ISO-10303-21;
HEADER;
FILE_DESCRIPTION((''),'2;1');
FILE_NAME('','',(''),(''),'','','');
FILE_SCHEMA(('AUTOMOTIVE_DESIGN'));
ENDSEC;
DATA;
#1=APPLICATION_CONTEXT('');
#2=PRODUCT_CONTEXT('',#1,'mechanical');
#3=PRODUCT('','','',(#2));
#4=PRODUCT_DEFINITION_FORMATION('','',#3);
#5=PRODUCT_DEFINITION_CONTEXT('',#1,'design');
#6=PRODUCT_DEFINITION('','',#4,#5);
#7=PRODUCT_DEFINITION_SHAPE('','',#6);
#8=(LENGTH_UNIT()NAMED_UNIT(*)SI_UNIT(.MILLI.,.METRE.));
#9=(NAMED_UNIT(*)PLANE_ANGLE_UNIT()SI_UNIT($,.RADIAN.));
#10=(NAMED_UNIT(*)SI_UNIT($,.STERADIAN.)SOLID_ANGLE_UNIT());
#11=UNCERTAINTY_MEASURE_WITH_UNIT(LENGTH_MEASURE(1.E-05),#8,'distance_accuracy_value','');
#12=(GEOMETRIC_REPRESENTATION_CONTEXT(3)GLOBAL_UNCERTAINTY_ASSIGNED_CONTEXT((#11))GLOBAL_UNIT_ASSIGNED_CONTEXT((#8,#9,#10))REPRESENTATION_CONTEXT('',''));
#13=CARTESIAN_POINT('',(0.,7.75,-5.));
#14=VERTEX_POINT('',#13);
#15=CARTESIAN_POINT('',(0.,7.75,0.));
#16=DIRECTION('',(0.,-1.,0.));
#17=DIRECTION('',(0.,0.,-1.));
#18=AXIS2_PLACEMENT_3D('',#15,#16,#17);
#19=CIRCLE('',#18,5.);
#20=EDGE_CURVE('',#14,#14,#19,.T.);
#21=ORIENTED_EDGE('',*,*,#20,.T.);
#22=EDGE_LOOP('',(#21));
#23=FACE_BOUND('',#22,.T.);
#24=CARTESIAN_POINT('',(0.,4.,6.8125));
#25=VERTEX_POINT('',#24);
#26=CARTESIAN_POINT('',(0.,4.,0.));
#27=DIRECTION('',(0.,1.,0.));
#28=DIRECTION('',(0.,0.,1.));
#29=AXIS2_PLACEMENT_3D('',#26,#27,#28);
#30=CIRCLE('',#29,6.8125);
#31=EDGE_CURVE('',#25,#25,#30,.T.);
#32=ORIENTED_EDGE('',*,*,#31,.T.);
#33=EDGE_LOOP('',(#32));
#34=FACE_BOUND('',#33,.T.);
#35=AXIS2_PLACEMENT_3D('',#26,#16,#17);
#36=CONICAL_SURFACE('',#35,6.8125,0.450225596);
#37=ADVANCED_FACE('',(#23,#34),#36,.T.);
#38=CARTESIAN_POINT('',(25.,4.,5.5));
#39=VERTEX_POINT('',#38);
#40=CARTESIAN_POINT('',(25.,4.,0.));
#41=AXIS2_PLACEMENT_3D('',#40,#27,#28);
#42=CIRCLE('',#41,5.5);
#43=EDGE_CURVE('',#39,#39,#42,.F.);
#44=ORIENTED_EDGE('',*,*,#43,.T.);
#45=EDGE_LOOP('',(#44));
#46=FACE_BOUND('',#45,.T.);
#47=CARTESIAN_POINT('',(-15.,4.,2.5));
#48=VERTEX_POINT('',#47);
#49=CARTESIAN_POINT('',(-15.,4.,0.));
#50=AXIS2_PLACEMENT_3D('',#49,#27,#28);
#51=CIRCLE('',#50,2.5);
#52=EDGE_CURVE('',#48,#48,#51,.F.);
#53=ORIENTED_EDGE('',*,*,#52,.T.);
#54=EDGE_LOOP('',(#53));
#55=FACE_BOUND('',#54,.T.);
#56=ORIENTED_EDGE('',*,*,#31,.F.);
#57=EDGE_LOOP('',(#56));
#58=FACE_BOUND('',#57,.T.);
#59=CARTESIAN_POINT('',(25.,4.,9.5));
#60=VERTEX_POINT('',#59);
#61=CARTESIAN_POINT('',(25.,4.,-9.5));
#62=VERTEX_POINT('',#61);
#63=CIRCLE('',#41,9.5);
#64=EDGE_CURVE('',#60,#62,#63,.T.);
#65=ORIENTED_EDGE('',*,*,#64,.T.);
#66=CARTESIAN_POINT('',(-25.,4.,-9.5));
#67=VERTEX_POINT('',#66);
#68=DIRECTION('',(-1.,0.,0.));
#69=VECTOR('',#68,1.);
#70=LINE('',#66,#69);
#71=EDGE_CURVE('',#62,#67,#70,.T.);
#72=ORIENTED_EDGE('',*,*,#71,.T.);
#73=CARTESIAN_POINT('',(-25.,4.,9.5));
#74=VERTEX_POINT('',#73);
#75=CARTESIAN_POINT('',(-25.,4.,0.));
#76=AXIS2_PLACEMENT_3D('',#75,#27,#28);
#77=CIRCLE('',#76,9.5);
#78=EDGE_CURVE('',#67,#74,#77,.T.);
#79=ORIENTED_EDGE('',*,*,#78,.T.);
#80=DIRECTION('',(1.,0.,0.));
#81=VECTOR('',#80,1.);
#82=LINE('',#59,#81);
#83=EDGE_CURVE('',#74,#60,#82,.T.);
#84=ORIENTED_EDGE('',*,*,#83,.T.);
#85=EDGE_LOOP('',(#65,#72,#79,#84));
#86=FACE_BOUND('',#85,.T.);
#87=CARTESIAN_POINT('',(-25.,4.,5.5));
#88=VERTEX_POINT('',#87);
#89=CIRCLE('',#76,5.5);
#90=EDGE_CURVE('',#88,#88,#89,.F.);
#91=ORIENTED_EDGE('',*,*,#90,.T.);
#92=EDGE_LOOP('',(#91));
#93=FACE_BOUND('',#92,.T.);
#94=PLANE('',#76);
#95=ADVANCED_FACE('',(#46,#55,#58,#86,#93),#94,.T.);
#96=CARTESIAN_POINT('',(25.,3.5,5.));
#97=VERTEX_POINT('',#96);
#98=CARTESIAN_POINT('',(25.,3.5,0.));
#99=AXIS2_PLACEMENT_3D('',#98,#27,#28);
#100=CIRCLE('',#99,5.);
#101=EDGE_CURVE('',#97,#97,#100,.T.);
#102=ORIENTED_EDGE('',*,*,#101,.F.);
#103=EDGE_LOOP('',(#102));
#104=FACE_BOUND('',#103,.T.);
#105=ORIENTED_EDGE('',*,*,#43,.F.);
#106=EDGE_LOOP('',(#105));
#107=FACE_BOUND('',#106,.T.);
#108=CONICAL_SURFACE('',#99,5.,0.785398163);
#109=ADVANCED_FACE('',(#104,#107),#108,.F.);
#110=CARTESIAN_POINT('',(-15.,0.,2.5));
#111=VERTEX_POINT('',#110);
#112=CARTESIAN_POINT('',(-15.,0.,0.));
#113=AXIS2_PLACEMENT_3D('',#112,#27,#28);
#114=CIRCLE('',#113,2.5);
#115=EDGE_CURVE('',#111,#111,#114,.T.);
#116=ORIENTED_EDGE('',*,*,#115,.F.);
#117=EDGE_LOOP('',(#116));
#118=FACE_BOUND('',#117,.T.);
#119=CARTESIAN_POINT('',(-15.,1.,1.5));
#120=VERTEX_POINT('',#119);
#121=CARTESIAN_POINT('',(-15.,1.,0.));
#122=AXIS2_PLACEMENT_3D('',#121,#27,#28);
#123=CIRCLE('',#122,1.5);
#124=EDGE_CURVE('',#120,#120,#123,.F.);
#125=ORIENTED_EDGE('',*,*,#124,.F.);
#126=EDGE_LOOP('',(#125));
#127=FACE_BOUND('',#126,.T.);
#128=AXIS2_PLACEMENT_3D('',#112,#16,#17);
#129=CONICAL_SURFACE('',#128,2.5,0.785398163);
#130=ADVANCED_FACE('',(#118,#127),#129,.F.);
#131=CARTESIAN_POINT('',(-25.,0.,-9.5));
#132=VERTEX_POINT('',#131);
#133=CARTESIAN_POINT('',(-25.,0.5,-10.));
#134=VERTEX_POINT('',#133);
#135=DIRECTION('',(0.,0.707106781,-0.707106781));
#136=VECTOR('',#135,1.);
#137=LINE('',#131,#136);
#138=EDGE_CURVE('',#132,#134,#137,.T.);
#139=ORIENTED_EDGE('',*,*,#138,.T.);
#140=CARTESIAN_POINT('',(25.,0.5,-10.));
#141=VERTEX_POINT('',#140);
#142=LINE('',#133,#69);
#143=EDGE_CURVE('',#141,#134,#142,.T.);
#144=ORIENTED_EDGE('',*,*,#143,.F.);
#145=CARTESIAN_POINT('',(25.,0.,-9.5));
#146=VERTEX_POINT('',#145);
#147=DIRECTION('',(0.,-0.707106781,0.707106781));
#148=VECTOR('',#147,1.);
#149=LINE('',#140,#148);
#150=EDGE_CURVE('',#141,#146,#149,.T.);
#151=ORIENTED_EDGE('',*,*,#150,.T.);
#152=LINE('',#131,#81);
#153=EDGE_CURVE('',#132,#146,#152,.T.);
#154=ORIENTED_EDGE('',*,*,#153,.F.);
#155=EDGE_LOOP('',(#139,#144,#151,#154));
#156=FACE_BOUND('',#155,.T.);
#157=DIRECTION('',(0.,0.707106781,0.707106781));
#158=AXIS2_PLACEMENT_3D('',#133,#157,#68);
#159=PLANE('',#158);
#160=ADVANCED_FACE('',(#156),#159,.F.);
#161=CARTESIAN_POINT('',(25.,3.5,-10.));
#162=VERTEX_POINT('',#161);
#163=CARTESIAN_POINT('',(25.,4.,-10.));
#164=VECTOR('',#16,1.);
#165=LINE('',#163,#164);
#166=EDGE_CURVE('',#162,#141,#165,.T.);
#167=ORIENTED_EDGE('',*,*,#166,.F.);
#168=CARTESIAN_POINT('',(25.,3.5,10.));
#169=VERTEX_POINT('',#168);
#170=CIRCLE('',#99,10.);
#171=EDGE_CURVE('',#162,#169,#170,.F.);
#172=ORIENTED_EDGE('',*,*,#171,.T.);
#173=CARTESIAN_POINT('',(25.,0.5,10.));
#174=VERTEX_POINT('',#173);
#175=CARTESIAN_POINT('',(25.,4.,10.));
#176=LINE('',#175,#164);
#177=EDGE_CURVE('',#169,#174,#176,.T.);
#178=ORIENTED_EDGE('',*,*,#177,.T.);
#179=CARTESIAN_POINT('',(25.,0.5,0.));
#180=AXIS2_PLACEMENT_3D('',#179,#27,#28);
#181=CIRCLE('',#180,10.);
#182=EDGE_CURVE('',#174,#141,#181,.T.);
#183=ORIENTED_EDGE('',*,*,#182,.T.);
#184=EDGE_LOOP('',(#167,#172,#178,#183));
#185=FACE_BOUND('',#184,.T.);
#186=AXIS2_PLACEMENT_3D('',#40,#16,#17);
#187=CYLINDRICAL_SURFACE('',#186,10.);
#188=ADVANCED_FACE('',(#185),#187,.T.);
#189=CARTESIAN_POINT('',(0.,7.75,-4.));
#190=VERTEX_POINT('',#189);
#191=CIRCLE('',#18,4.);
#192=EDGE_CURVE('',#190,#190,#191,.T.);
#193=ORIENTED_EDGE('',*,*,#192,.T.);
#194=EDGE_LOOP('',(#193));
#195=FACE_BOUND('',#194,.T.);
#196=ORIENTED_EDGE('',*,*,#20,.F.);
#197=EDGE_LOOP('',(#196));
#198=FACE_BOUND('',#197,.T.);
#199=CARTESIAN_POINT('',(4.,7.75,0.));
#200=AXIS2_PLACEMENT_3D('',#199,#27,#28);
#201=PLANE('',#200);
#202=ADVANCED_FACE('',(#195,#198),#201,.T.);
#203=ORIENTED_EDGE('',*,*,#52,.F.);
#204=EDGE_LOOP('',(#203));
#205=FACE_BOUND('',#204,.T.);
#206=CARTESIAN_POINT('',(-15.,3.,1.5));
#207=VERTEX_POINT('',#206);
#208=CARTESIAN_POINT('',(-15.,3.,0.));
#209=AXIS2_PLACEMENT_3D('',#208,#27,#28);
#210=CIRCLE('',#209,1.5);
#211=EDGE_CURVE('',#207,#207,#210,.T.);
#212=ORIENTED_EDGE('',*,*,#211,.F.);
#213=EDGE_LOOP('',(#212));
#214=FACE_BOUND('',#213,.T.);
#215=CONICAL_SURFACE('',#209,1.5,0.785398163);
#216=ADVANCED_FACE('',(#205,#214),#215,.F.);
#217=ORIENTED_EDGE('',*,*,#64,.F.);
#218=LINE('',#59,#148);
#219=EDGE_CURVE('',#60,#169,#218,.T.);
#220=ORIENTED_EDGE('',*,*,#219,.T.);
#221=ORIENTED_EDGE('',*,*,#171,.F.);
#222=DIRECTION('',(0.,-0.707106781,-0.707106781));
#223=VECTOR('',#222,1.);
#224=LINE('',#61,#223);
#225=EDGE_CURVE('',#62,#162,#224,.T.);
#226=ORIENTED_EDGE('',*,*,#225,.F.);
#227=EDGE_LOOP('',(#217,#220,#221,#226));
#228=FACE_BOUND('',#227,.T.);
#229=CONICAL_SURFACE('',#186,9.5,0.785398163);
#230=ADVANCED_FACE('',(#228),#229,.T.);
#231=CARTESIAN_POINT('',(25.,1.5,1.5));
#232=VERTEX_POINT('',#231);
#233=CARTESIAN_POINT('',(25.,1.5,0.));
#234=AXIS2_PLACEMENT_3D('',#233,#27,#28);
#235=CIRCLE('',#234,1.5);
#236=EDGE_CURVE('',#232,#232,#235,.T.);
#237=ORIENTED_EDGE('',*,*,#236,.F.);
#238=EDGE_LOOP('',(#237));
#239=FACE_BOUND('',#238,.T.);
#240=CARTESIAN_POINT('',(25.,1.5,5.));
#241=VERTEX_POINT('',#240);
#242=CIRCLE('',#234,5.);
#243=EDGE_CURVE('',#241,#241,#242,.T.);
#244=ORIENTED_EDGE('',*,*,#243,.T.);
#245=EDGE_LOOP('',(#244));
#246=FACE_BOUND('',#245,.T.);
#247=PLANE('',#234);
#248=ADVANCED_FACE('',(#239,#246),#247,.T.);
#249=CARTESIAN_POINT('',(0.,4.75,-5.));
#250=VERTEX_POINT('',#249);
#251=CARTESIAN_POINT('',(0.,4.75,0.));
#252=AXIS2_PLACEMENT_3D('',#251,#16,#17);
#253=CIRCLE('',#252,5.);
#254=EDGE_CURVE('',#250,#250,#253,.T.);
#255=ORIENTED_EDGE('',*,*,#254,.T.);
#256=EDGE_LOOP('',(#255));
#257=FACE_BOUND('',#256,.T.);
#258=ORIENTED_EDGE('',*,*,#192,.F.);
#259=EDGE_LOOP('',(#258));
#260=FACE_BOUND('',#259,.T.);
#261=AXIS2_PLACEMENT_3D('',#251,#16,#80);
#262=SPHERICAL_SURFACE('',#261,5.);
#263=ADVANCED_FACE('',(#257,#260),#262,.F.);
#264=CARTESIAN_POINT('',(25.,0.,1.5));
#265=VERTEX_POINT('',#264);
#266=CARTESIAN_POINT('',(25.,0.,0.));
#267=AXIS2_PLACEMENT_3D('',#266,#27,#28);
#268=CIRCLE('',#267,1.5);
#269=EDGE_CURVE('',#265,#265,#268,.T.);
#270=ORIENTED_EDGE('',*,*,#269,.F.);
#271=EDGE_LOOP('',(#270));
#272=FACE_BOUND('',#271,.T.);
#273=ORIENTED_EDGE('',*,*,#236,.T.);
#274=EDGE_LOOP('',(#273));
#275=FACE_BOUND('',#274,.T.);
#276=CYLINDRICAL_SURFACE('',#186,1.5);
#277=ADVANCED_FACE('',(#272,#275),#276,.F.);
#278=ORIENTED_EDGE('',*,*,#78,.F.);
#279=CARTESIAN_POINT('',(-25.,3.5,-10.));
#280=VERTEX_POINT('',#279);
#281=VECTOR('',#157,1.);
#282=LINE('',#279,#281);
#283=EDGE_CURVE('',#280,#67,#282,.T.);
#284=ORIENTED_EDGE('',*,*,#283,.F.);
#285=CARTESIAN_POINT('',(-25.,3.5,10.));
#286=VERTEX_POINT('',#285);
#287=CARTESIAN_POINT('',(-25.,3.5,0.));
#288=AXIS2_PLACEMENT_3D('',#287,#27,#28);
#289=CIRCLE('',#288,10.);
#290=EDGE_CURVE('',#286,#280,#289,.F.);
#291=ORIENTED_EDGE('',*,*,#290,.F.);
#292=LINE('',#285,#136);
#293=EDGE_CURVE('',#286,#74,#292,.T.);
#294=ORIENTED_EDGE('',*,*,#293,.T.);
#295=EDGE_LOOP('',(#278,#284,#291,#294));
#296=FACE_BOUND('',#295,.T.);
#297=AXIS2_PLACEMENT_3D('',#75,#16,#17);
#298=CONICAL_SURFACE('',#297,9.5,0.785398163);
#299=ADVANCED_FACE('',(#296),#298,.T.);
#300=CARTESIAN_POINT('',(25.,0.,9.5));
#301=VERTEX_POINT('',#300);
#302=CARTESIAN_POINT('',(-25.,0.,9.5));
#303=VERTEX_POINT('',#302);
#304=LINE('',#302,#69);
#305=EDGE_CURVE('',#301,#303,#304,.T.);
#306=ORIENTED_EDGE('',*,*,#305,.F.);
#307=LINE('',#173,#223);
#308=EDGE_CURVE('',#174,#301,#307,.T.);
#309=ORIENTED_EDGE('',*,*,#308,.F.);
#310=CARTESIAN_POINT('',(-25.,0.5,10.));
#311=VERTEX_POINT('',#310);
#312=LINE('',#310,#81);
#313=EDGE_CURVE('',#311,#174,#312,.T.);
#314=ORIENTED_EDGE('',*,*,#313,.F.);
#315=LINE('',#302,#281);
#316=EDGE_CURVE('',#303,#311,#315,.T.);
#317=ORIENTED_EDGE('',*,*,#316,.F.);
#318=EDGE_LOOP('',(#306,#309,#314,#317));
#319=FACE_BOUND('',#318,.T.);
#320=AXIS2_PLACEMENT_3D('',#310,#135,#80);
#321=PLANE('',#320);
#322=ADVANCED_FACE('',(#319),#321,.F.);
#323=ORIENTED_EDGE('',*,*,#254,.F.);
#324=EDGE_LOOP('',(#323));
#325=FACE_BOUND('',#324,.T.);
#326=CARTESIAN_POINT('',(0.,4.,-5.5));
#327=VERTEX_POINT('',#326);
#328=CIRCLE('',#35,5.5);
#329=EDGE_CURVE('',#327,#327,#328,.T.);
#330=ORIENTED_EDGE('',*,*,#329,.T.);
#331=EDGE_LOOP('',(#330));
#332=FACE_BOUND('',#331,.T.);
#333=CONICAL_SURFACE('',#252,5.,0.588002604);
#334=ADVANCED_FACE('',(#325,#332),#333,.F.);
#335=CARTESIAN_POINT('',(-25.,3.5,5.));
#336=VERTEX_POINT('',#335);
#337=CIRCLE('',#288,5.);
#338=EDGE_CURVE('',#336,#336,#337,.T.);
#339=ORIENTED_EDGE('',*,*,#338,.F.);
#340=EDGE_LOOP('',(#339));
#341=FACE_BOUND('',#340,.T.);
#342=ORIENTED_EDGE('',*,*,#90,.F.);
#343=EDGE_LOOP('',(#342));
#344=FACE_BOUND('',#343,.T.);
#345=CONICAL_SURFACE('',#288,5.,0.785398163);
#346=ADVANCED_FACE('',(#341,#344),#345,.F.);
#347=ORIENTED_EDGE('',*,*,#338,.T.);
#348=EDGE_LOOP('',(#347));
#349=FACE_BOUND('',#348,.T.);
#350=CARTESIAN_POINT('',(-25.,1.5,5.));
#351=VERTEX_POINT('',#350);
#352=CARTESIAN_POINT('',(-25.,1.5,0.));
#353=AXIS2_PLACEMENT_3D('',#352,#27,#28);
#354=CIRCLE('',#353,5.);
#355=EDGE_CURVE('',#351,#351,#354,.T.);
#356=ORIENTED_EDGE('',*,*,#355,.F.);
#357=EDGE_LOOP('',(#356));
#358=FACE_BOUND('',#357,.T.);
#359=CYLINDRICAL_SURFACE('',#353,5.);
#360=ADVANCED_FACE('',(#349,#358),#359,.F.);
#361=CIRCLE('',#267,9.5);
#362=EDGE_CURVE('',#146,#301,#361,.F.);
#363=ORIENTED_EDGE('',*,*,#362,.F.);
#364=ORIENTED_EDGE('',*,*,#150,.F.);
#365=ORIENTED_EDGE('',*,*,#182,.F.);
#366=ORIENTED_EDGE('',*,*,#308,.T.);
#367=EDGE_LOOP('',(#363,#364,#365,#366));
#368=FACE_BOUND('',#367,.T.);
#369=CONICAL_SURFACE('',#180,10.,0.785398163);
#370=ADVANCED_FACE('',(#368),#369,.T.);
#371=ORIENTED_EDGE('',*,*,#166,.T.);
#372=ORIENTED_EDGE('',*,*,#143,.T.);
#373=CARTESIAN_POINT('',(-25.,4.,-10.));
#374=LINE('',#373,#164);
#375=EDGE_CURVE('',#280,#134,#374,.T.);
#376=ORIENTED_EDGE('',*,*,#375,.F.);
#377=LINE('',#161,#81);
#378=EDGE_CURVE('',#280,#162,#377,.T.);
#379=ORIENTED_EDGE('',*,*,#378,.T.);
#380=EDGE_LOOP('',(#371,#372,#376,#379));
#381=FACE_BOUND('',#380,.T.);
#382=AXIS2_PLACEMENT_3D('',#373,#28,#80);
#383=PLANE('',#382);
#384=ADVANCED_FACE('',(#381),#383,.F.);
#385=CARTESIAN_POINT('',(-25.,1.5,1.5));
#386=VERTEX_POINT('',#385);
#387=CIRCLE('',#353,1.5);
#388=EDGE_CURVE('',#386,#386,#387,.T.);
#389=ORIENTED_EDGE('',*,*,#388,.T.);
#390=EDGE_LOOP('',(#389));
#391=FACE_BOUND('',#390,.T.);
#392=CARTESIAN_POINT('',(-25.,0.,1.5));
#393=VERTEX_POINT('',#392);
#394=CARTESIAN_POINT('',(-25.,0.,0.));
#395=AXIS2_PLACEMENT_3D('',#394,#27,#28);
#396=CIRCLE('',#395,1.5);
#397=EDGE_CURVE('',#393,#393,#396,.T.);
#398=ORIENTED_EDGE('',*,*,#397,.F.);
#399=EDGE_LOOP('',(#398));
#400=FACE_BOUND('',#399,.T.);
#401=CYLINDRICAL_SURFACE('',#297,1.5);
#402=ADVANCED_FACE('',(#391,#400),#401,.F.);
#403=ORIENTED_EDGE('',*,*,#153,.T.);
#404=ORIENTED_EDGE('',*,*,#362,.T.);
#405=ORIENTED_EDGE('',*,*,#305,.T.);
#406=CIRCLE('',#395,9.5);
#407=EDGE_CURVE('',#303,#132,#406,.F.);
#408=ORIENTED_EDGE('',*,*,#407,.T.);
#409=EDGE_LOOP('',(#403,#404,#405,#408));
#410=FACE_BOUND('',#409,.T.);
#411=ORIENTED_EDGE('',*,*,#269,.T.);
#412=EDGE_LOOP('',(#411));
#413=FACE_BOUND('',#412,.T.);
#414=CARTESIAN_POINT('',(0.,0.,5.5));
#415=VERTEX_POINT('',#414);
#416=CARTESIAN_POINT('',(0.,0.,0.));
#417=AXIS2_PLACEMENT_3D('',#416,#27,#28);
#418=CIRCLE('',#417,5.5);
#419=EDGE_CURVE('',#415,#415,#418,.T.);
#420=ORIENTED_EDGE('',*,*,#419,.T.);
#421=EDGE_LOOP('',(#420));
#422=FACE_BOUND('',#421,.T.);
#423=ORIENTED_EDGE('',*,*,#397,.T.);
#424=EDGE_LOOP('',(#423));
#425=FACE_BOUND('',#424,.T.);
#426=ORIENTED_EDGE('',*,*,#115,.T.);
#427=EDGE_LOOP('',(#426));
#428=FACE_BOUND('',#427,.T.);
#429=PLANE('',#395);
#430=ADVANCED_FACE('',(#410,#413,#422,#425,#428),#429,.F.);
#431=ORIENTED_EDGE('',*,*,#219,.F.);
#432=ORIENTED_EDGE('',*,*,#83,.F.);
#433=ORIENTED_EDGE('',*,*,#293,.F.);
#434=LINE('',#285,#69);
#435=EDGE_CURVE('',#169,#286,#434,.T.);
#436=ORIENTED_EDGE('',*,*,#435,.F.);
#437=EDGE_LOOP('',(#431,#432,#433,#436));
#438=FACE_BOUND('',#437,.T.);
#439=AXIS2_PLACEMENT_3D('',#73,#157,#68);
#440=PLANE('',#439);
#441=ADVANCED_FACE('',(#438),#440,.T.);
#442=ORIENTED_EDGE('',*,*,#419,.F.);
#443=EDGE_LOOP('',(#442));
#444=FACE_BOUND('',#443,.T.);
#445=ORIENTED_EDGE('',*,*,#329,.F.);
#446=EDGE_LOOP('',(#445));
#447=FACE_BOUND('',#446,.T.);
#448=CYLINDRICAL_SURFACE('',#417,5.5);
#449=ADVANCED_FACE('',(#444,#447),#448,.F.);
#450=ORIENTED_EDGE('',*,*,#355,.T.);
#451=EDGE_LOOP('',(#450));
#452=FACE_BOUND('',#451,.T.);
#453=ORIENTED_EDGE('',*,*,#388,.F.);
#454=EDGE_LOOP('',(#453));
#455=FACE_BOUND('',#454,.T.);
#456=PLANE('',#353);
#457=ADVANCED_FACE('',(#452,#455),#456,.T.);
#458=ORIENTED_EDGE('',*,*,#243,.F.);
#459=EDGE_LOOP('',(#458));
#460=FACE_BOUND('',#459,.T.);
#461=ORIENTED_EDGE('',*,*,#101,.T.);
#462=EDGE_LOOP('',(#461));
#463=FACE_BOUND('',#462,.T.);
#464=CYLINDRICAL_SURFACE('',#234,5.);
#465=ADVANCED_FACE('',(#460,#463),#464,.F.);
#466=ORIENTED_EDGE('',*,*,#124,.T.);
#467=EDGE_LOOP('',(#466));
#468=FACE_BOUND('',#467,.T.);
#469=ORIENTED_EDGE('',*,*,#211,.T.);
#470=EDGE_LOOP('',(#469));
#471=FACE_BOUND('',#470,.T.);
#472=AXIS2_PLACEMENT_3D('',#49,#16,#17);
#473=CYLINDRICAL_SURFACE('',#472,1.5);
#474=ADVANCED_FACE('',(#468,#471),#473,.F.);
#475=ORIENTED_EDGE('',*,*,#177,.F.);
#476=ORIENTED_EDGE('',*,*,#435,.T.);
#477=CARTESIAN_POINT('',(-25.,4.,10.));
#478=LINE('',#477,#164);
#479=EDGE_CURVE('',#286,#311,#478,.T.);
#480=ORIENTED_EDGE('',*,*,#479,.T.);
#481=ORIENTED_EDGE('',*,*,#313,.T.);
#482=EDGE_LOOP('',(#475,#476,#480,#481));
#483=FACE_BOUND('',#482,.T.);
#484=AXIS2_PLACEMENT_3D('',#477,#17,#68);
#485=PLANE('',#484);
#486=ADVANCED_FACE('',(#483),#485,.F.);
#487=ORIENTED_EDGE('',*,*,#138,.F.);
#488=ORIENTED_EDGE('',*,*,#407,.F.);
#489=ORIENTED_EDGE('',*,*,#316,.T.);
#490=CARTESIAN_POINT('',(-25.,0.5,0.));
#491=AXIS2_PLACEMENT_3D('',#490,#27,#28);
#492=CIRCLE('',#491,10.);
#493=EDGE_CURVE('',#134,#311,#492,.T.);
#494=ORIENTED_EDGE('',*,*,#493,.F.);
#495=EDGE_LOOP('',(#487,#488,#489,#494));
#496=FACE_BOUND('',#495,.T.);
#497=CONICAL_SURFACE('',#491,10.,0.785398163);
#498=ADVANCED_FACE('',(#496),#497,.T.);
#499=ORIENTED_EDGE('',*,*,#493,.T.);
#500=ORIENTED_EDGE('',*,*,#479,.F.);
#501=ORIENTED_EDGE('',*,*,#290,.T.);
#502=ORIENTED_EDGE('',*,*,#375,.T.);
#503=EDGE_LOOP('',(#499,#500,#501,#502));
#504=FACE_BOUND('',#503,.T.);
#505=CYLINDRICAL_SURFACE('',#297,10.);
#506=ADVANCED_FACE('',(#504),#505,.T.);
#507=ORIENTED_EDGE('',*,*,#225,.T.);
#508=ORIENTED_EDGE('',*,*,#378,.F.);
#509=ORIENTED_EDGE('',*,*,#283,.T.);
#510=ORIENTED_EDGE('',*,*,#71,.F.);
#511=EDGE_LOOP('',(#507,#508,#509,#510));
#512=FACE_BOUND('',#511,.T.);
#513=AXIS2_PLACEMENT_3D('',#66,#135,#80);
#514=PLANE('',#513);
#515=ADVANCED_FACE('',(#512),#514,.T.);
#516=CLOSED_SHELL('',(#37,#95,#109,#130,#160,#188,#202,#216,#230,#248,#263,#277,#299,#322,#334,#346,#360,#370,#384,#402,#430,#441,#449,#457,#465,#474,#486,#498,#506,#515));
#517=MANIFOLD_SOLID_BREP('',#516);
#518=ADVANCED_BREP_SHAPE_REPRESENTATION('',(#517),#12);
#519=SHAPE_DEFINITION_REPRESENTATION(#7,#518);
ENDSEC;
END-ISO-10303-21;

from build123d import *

# Parameters (mm, degrees)
CROQUIS2_R              = 1.5
SALIENTE_EXTRUIR1_DEPTH = 4
CROQUIS3_R              = 5
CORTAR_EXTRUIR1_DEPTH   = 2.5
CROQUIS6_R              = 5.5
CORTAR_EXTRUIR2_DEPTH   = 37.619666847
CHAFL_N1_SIZE           = 1
CHAFL_N2_SIZE           = 0.5


with BuildPart() as part:
    # Croquis2 → Saliente-Extruir1 (new body)
    with BuildSketch(Plane(origin=(0, 0, 0), x_dir=(1, 0, 0), z_dir=(0, 1, 0))):
        with BuildLine():
            Line((-25, 10), (25, 10))
            ThreePointArc((25, 10), (35, 0), (25, -10))
            Line((25, -10), (-25, -10))
            ThreePointArc((-25, -10), (-35, 0), (-25, 10))
        make_face()
        with Locations(Location((-25, 0, 0), (0, 0, 270))):
            Circle(CROQUIS2_R, mode=Mode.SUBTRACT)
        with Locations(Location((25, 0, 0), (0, 0, 270))):
            Circle(CROQUIS2_R, mode=Mode.SUBTRACT)
        with Locations(Location((-15, 0, 0), (0, 0, 270))):
            Circle(CROQUIS2_R, mode=Mode.SUBTRACT)
    extrude(amount=SALIENTE_EXTRUIR1_DEPTH)

    # Croquis3 → Cortar-Extruir1 (cut)
    with BuildSketch(Plane(origin=(0, 4, 0), x_dir=(1, 0, 0), z_dir=(0, 1, 0))):
        with Locations(Location((-25, 0, 0), (0, 0, 270))):
            Circle(CROQUIS3_R)
        with Locations(Location((25, 0, 0), (0, 0, 270))):
            Circle(CROQUIS3_R)
    extrude(amount=-CORTAR_EXTRUIR1_DEPTH, mode=Mode.SUBTRACT)

    # Croquis6 → Cortar-Extruir2 (cut, through all)
    with BuildSketch(Plane(origin=(0, 4, 0), x_dir=(1, 0, 0), z_dir=(0, 1, 0))):
        with Locations(Location((0, 0, 0), (0, 0, 270))):
            Circle(CROQUIS6_R)
    extrude(amount=-CORTAR_EXTRUIR2_DEPTH, mode=Mode.SUBTRACT)

    # Croquis5 → Revolución1 (revolve)
    with BuildSketch(Plane.XY, mode=Mode.PRIVATE) as revoluci_n1_sk:
        with BuildLine():
            Line((5, 4.75), (5.5, 4))
            Line((5.5, 4), (6.8125, 4))
            Line((6.8125, 4), (5, 7.75))
            Line((5, 7.75), (4, 7.75))
            ThreePointArc((4, 7.75), (4.74341649, 6.33113883), (5, 4.75))
        make_face()
    revolve(revoluci_n1_sk.sketch.rotate(Axis((0, -0.25, 0), (0, 1, 0)), 90), axis=Axis((0, -0.25, 0), (0, 1, 0)))

    # Chaflán1
    chafl_n1_edges = [part.edges().sort_by_distance(p)[0] for p in [
        (-15, 0, -1.5),
        (-15, 4, -1.5),
    ]]
    chamfer(chafl_n1_edges, length=CHAFL_N1_SIZE)

    # Chaflán2
    chafl_n2_edges = [part.edges().sort_by_distance(p)[0] for p in [
        (35, 4, 0),
        (0, 4, -10),
        (-25, 4, -5),
        (25, 4, -5),
        (-35, 4, 0),
        (0, 0, -10),
        (35, 0, 0),
        (0, 0, 10),
        (-35, 0, 0),
        (0, 4, 10),
    ]]
    chamfer(chafl_n2_edges, length=CHAFL_N2_SIZE)


solid = part.part
